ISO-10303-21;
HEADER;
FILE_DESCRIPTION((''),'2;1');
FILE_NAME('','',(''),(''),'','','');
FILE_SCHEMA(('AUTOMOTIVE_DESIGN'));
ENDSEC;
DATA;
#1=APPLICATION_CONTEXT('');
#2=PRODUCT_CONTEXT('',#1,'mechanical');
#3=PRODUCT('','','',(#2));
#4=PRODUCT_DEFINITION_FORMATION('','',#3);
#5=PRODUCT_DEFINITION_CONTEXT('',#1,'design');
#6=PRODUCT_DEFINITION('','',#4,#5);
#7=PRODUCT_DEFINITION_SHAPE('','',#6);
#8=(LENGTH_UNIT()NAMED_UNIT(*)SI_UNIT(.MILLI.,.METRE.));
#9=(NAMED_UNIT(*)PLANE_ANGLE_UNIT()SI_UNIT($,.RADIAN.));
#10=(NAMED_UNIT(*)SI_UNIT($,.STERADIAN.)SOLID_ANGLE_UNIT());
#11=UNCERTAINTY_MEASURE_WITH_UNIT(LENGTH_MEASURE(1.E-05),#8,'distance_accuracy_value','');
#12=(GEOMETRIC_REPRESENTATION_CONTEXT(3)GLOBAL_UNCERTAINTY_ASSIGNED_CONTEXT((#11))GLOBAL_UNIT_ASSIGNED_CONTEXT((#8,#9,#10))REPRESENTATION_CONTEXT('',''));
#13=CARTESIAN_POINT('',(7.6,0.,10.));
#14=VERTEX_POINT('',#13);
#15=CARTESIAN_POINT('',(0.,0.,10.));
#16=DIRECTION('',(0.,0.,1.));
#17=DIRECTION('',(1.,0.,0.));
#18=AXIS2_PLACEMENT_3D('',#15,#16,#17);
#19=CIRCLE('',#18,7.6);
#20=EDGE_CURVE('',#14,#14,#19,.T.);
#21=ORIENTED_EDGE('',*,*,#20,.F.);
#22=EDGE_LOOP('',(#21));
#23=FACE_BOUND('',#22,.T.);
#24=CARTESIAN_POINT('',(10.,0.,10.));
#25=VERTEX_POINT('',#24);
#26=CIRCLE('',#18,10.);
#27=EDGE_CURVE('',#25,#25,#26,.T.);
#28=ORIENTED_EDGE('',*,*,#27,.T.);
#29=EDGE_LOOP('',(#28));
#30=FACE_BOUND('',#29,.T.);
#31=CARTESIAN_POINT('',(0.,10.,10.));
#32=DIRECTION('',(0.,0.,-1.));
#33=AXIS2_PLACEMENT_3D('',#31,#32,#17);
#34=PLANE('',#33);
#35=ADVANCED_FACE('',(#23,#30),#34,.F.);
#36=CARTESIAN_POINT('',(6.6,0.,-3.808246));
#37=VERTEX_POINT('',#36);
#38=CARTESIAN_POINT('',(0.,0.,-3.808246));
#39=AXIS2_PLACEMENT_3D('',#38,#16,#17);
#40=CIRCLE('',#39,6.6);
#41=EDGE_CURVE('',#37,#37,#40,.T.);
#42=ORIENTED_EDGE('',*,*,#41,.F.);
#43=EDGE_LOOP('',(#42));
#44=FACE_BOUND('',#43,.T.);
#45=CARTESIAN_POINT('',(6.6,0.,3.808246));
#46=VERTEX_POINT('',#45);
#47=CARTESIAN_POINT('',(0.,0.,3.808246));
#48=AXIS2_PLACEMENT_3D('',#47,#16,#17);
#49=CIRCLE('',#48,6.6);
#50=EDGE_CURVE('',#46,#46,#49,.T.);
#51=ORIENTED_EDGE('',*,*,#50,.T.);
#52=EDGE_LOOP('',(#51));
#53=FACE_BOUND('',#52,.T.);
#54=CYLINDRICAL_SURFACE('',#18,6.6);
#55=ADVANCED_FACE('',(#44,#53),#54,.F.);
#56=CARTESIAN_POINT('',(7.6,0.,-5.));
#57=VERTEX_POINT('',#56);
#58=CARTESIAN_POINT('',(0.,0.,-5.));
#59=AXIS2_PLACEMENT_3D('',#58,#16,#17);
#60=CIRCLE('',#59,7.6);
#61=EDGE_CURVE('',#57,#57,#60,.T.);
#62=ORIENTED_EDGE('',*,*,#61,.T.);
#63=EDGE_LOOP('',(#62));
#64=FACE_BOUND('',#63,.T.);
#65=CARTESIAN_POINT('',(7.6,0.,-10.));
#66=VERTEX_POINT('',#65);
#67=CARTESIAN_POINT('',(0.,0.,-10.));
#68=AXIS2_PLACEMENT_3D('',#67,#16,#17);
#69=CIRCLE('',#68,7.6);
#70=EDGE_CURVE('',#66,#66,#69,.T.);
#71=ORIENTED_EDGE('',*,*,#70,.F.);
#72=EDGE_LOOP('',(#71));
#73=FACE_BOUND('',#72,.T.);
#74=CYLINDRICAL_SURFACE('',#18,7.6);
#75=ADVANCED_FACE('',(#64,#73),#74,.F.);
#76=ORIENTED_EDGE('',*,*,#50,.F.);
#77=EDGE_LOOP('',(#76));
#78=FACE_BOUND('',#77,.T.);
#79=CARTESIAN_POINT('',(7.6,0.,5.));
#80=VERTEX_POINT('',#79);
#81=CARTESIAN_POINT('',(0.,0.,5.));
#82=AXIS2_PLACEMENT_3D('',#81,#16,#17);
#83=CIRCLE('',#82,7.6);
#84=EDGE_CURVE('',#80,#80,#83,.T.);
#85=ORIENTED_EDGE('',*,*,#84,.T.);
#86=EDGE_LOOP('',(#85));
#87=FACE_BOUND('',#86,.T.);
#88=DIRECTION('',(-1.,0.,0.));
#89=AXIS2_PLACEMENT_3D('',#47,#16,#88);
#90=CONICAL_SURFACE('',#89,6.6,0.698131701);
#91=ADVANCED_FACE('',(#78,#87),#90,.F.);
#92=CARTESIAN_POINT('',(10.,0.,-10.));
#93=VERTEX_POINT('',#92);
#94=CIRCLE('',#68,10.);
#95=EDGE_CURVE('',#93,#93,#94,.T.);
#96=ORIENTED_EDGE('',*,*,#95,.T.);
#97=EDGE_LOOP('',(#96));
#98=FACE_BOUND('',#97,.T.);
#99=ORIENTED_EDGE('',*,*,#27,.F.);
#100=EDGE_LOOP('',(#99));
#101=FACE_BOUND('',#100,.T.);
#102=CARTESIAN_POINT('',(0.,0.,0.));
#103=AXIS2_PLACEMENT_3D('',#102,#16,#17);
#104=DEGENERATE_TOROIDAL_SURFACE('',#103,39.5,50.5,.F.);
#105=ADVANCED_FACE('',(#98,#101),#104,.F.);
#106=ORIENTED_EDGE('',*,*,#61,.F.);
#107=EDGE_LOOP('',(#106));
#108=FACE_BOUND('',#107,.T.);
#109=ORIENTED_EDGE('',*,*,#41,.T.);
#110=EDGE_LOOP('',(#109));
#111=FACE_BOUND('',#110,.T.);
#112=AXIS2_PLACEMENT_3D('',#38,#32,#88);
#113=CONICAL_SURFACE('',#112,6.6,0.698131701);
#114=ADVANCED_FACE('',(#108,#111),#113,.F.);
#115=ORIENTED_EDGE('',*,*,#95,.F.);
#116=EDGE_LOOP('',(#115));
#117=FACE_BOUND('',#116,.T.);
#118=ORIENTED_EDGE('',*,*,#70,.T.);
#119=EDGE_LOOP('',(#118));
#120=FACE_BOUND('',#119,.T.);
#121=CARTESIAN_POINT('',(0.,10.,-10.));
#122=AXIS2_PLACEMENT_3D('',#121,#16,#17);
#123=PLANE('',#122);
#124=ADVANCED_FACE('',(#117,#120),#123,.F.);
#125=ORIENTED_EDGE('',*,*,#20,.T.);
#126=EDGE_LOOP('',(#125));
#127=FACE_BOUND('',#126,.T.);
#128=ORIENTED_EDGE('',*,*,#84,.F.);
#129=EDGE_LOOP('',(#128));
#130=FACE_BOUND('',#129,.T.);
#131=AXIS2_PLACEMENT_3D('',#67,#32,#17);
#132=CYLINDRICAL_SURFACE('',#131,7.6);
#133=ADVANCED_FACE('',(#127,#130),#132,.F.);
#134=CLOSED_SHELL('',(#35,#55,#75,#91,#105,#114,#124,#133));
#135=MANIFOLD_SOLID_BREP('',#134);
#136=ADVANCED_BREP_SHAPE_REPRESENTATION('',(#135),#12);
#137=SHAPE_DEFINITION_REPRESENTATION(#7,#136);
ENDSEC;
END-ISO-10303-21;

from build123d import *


with BuildPart() as part:
    # Skizze4 → Rotation1 (revolve)
    with BuildSketch(Plane(origin=(0, 0, 0), x_dir=(0, 0, -1), z_dir=(1, 0, 0)), mode=Mode.PRIVATE) as rotation1_sk:
        with BuildLine():
            Line((0, 11), (0, 6.6))
            Line((0, 6.6), (3.808246407, 6.6))
            Line((3.808246407, 6.6), (5, 7.6))
            Line((5, 7.6), (10, 7.6))
            Line((10, 7.6), (10, 10))
            ThreePointArc((10, 10), (5.024937811, 10.749378106), (0, 11))
        make_face()
    revolve(rotation1_sk.sketch.rotate(Axis((0, 0, 10), (0, 0, -1)), 90), axis=Axis((0, 0, 10), (0, 0, -1)))

    # Spiegeln2: part across plane


with BuildPart() as part_1:
    add(part.part)
    add(part.part.mirror(Plane.XY))


solid = part_1.part
